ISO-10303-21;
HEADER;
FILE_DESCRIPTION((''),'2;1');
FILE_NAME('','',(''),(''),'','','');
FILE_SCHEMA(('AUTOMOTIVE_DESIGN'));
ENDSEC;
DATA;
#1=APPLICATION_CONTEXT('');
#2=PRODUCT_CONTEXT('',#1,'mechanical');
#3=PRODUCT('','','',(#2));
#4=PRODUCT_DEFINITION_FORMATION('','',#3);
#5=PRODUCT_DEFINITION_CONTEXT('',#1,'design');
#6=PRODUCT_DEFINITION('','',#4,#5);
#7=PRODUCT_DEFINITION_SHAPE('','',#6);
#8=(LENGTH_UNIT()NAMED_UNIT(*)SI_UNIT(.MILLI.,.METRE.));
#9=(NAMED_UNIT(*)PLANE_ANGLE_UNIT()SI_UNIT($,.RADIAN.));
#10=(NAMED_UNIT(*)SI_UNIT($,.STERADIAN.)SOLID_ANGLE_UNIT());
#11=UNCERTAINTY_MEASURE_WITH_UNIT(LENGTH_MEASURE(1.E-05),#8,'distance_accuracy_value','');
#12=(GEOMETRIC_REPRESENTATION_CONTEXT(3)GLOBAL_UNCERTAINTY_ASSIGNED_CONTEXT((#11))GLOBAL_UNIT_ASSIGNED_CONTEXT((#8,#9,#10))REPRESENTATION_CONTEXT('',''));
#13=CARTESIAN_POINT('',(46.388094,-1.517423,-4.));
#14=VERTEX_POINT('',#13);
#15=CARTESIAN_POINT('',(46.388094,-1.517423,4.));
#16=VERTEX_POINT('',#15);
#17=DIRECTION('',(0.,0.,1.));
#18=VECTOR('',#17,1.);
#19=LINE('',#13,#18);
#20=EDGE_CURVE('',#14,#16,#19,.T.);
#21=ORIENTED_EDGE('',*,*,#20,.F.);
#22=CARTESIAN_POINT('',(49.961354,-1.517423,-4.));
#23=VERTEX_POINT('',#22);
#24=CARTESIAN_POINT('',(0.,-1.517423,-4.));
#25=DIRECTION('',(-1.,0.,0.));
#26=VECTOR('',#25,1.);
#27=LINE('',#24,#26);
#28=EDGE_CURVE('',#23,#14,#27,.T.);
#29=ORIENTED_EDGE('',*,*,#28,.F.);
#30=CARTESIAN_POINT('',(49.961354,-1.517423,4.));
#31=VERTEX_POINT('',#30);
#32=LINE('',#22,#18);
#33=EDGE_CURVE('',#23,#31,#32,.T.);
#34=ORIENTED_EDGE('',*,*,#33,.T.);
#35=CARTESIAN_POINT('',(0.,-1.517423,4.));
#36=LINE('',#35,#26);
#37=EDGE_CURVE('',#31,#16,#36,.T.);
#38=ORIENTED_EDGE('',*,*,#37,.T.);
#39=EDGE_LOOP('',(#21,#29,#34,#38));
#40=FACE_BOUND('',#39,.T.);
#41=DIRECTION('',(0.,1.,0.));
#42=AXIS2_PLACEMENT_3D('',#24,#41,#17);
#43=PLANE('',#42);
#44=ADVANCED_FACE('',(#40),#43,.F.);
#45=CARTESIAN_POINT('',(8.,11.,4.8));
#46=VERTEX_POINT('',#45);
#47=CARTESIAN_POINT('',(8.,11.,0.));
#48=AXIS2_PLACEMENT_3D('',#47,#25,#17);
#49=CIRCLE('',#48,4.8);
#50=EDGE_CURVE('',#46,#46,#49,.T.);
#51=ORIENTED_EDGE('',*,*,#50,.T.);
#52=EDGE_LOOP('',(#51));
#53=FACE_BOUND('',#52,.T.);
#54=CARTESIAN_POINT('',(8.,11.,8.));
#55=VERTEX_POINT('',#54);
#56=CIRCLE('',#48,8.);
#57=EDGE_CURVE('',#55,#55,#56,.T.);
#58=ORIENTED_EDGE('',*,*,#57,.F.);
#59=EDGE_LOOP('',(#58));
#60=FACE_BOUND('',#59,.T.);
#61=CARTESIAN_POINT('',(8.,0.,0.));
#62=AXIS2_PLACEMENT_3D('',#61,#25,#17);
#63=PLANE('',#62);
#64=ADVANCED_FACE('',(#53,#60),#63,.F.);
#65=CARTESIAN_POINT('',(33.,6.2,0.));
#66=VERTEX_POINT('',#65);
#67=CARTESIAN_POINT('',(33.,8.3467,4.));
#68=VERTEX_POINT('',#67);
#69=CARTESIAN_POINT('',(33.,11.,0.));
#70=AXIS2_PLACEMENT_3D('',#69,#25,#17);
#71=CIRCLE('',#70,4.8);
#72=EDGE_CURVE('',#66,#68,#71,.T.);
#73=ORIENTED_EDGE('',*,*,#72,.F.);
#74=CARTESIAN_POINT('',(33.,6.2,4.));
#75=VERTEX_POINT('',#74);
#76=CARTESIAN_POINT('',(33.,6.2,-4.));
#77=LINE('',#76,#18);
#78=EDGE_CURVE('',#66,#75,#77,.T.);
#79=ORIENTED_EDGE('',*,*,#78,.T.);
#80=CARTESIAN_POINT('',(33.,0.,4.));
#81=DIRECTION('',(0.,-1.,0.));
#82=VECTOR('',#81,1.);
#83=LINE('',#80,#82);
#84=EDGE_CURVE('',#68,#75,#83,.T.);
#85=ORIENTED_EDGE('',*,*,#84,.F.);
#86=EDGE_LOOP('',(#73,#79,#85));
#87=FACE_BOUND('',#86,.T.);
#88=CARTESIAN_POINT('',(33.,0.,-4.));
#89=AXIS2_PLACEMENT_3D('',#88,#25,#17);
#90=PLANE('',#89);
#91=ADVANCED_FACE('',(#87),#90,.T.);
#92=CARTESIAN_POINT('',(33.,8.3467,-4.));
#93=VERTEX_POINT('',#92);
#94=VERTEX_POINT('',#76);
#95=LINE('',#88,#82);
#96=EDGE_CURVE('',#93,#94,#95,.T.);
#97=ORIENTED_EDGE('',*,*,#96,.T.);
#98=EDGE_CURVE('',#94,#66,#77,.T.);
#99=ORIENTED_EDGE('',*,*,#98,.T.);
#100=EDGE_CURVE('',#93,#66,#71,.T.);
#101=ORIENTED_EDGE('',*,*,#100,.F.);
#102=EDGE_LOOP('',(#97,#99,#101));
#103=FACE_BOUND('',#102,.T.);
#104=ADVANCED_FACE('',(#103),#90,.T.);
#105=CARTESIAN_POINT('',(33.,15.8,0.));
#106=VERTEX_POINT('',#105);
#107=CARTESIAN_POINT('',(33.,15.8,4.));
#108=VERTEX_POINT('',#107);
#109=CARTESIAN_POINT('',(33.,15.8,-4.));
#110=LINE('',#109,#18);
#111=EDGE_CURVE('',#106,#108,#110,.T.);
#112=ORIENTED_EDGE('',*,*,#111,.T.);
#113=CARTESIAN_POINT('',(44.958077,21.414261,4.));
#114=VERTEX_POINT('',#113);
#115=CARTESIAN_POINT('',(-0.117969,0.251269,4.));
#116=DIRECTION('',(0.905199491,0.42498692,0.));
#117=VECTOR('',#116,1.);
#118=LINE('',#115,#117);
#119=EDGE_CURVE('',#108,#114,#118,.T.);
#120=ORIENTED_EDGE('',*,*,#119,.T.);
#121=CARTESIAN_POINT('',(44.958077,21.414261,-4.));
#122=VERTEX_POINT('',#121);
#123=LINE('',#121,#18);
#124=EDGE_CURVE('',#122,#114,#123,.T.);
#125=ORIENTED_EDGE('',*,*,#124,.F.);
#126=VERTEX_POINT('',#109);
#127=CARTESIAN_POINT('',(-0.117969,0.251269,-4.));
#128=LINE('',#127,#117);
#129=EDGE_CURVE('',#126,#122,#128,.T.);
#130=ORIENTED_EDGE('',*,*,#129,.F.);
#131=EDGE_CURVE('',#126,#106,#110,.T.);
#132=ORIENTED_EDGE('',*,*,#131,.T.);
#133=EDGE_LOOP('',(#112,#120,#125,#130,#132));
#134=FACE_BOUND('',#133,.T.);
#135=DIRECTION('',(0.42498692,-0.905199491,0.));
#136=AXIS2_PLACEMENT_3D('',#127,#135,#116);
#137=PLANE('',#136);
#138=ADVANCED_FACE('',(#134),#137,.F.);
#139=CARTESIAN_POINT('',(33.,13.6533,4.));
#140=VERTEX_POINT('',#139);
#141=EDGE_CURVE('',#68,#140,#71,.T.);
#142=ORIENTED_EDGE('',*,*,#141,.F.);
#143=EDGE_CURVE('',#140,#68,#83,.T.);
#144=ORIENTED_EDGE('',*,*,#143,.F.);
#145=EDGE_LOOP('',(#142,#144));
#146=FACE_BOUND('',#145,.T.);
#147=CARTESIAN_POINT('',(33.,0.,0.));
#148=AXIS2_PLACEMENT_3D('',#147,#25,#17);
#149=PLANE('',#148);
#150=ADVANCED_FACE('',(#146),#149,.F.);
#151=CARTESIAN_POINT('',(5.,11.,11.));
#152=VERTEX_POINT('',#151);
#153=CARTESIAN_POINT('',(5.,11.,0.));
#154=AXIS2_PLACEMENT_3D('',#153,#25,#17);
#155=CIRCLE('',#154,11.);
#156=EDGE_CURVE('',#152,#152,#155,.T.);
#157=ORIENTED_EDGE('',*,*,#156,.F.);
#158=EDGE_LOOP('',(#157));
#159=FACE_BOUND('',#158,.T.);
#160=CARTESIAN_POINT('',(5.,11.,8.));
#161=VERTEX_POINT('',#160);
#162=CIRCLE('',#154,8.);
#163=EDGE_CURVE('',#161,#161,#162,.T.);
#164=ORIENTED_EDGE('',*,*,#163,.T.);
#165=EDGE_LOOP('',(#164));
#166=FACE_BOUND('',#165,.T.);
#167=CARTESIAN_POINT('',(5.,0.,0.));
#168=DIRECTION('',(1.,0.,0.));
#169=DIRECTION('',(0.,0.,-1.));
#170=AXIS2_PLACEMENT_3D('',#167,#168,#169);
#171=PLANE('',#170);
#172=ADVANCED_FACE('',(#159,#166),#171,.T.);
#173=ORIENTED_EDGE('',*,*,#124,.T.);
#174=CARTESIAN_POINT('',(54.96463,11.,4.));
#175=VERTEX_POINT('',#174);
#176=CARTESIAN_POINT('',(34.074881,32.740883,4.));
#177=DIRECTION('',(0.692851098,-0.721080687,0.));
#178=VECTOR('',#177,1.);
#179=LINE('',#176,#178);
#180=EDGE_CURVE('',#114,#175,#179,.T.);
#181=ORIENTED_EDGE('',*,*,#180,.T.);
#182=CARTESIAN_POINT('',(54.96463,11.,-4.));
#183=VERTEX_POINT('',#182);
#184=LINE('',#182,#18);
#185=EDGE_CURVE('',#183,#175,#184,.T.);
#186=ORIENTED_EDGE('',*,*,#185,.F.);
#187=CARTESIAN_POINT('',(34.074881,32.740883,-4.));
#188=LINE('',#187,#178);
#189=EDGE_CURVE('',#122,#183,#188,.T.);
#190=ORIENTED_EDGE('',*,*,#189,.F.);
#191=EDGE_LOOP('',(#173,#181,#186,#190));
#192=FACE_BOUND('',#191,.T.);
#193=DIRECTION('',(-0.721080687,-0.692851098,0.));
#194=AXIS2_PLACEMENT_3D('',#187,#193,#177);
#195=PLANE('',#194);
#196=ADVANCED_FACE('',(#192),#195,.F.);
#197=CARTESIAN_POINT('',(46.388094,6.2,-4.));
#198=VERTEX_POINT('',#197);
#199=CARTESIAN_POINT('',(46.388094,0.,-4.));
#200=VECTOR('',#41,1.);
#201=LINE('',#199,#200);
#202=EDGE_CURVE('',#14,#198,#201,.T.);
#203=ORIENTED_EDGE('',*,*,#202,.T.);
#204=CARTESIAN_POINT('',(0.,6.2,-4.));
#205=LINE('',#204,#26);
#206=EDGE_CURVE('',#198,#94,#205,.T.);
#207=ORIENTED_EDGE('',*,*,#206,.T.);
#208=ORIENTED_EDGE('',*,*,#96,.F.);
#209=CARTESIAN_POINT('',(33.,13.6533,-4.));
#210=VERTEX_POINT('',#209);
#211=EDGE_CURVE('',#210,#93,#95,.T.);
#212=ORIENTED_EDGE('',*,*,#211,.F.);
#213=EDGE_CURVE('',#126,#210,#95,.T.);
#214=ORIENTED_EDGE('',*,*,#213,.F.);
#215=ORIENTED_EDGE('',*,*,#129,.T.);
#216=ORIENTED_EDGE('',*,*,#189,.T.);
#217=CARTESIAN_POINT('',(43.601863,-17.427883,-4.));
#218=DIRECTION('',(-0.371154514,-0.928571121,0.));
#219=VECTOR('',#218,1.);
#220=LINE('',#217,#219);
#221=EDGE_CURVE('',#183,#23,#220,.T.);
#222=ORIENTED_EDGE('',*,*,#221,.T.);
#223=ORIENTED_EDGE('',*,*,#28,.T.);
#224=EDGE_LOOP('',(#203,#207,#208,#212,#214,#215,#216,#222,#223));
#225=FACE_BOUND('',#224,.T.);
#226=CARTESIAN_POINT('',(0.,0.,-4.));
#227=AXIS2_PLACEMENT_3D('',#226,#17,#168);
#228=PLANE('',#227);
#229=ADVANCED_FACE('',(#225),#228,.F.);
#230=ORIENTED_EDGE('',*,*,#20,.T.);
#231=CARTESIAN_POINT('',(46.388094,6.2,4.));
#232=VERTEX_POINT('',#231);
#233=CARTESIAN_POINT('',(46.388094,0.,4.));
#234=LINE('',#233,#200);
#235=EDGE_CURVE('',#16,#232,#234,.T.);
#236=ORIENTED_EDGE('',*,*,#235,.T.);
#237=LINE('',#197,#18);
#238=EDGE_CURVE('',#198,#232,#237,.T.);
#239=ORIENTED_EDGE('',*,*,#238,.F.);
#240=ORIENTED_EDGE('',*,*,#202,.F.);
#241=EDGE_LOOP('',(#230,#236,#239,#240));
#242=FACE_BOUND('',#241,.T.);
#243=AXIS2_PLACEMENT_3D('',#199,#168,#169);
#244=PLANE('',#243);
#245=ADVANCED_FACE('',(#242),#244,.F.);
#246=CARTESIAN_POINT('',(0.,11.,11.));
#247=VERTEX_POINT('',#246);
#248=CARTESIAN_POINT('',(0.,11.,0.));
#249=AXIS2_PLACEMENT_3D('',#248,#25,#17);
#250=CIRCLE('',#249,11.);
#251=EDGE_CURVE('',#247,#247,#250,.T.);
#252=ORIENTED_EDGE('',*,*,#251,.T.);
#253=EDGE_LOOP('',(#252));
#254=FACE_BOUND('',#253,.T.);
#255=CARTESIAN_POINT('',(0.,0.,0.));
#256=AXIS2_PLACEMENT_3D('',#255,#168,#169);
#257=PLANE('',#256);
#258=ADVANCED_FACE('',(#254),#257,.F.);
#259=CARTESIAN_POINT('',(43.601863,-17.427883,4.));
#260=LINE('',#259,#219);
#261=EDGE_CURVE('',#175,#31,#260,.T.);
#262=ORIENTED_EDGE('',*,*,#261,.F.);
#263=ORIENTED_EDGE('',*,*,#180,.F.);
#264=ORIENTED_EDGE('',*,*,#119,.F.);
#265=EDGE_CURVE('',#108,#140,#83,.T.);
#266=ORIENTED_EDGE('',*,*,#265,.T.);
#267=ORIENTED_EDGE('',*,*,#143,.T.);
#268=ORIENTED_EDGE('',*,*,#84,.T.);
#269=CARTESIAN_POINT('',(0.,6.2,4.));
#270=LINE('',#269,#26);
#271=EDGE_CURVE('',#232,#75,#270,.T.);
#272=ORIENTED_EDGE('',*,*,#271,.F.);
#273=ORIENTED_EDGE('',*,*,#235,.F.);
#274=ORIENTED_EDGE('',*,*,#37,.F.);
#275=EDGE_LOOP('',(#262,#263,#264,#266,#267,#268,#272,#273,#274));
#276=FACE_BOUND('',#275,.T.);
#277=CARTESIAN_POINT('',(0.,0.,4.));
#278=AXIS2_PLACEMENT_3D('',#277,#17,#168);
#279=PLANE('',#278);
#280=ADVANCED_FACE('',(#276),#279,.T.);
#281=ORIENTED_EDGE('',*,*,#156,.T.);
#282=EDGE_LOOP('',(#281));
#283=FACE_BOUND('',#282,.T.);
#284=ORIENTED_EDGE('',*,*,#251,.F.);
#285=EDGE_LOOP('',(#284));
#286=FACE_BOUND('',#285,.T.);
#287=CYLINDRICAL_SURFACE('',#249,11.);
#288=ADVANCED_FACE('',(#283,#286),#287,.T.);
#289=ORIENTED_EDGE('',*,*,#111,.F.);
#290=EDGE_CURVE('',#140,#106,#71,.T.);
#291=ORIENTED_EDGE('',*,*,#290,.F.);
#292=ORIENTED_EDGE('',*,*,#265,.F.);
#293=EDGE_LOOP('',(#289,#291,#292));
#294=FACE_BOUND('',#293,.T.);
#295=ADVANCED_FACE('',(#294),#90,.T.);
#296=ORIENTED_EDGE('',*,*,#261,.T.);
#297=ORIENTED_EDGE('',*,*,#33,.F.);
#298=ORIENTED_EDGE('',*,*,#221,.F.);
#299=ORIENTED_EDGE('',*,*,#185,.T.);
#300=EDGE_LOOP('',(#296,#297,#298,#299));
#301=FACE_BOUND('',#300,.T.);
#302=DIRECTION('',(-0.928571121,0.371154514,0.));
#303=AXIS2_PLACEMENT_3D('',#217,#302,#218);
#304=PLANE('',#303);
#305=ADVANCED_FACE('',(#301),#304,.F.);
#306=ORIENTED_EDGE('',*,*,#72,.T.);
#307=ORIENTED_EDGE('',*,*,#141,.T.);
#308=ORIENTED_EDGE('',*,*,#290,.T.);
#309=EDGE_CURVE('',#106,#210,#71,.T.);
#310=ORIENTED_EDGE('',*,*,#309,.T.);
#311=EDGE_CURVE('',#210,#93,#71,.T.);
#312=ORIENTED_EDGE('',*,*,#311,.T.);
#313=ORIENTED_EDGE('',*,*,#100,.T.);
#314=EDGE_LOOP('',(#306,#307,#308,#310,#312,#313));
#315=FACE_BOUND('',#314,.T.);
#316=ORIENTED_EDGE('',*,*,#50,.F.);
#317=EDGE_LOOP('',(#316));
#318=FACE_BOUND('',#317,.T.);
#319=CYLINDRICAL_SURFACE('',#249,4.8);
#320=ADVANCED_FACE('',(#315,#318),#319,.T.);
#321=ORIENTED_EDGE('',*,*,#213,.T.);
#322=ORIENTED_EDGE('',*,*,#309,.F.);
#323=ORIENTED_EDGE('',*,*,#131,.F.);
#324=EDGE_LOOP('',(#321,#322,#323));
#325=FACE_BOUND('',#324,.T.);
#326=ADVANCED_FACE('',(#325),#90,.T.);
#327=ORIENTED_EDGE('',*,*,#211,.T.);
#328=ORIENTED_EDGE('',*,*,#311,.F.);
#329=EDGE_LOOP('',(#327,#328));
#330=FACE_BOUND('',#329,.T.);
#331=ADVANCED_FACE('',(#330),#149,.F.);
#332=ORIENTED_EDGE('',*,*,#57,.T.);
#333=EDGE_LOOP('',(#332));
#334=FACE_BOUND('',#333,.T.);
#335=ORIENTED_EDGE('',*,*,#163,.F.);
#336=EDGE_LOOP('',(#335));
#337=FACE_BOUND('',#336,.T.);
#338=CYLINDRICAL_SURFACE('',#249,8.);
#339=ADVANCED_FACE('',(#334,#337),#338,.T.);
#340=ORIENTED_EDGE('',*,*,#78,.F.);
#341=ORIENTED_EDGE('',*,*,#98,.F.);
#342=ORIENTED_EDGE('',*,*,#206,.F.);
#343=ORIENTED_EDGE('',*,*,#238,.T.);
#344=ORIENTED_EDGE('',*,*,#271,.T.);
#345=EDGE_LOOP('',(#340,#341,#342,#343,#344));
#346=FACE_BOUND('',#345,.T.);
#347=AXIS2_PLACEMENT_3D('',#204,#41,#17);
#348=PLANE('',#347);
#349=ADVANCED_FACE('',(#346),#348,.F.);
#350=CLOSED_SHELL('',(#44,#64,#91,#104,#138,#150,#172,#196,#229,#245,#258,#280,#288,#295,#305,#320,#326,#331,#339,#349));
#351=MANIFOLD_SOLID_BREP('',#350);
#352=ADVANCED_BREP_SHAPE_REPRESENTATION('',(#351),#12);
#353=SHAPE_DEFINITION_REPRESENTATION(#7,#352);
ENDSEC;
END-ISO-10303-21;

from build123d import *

# Parameters (mm, degrees)
EXTRUDE_1_DEPTH      = 4
EXTRUDE_1_DEPTH_BACK = 4


with BuildPart() as part:
    # Эскиз1 → Повернуть1 (revolve)
    with BuildSketch(Plane.XY):
        Polygon((0, 11), (0, 0), (5, 0), (5, 3), (8, 3), (8, 6.2), (33, 6.2), (33, 11), align=None)
    revolve(axis=Axis((0, 11, 0), (1, 0, 0)))

    # Эскиз1<3> → Бобышка-Вытянуть1 (add, two sides: drawn at the far end of the back side and taken through both)
    with BuildSketch(Plane.XY.offset(-EXTRUDE_1_DEPTH_BACK)):
        Polygon((33, 15.8), (33, 6.2), (46.388094458, 6.2), (46.388094458, -1.517423247), (49.961353524, -1.517423247), (54.964630107, 11), (44.95807694, 21.414261094), align=None)
    extrude(amount=EXTRUDE_1_DEPTH + EXTRUDE_1_DEPTH_BACK)


solid = part.part
